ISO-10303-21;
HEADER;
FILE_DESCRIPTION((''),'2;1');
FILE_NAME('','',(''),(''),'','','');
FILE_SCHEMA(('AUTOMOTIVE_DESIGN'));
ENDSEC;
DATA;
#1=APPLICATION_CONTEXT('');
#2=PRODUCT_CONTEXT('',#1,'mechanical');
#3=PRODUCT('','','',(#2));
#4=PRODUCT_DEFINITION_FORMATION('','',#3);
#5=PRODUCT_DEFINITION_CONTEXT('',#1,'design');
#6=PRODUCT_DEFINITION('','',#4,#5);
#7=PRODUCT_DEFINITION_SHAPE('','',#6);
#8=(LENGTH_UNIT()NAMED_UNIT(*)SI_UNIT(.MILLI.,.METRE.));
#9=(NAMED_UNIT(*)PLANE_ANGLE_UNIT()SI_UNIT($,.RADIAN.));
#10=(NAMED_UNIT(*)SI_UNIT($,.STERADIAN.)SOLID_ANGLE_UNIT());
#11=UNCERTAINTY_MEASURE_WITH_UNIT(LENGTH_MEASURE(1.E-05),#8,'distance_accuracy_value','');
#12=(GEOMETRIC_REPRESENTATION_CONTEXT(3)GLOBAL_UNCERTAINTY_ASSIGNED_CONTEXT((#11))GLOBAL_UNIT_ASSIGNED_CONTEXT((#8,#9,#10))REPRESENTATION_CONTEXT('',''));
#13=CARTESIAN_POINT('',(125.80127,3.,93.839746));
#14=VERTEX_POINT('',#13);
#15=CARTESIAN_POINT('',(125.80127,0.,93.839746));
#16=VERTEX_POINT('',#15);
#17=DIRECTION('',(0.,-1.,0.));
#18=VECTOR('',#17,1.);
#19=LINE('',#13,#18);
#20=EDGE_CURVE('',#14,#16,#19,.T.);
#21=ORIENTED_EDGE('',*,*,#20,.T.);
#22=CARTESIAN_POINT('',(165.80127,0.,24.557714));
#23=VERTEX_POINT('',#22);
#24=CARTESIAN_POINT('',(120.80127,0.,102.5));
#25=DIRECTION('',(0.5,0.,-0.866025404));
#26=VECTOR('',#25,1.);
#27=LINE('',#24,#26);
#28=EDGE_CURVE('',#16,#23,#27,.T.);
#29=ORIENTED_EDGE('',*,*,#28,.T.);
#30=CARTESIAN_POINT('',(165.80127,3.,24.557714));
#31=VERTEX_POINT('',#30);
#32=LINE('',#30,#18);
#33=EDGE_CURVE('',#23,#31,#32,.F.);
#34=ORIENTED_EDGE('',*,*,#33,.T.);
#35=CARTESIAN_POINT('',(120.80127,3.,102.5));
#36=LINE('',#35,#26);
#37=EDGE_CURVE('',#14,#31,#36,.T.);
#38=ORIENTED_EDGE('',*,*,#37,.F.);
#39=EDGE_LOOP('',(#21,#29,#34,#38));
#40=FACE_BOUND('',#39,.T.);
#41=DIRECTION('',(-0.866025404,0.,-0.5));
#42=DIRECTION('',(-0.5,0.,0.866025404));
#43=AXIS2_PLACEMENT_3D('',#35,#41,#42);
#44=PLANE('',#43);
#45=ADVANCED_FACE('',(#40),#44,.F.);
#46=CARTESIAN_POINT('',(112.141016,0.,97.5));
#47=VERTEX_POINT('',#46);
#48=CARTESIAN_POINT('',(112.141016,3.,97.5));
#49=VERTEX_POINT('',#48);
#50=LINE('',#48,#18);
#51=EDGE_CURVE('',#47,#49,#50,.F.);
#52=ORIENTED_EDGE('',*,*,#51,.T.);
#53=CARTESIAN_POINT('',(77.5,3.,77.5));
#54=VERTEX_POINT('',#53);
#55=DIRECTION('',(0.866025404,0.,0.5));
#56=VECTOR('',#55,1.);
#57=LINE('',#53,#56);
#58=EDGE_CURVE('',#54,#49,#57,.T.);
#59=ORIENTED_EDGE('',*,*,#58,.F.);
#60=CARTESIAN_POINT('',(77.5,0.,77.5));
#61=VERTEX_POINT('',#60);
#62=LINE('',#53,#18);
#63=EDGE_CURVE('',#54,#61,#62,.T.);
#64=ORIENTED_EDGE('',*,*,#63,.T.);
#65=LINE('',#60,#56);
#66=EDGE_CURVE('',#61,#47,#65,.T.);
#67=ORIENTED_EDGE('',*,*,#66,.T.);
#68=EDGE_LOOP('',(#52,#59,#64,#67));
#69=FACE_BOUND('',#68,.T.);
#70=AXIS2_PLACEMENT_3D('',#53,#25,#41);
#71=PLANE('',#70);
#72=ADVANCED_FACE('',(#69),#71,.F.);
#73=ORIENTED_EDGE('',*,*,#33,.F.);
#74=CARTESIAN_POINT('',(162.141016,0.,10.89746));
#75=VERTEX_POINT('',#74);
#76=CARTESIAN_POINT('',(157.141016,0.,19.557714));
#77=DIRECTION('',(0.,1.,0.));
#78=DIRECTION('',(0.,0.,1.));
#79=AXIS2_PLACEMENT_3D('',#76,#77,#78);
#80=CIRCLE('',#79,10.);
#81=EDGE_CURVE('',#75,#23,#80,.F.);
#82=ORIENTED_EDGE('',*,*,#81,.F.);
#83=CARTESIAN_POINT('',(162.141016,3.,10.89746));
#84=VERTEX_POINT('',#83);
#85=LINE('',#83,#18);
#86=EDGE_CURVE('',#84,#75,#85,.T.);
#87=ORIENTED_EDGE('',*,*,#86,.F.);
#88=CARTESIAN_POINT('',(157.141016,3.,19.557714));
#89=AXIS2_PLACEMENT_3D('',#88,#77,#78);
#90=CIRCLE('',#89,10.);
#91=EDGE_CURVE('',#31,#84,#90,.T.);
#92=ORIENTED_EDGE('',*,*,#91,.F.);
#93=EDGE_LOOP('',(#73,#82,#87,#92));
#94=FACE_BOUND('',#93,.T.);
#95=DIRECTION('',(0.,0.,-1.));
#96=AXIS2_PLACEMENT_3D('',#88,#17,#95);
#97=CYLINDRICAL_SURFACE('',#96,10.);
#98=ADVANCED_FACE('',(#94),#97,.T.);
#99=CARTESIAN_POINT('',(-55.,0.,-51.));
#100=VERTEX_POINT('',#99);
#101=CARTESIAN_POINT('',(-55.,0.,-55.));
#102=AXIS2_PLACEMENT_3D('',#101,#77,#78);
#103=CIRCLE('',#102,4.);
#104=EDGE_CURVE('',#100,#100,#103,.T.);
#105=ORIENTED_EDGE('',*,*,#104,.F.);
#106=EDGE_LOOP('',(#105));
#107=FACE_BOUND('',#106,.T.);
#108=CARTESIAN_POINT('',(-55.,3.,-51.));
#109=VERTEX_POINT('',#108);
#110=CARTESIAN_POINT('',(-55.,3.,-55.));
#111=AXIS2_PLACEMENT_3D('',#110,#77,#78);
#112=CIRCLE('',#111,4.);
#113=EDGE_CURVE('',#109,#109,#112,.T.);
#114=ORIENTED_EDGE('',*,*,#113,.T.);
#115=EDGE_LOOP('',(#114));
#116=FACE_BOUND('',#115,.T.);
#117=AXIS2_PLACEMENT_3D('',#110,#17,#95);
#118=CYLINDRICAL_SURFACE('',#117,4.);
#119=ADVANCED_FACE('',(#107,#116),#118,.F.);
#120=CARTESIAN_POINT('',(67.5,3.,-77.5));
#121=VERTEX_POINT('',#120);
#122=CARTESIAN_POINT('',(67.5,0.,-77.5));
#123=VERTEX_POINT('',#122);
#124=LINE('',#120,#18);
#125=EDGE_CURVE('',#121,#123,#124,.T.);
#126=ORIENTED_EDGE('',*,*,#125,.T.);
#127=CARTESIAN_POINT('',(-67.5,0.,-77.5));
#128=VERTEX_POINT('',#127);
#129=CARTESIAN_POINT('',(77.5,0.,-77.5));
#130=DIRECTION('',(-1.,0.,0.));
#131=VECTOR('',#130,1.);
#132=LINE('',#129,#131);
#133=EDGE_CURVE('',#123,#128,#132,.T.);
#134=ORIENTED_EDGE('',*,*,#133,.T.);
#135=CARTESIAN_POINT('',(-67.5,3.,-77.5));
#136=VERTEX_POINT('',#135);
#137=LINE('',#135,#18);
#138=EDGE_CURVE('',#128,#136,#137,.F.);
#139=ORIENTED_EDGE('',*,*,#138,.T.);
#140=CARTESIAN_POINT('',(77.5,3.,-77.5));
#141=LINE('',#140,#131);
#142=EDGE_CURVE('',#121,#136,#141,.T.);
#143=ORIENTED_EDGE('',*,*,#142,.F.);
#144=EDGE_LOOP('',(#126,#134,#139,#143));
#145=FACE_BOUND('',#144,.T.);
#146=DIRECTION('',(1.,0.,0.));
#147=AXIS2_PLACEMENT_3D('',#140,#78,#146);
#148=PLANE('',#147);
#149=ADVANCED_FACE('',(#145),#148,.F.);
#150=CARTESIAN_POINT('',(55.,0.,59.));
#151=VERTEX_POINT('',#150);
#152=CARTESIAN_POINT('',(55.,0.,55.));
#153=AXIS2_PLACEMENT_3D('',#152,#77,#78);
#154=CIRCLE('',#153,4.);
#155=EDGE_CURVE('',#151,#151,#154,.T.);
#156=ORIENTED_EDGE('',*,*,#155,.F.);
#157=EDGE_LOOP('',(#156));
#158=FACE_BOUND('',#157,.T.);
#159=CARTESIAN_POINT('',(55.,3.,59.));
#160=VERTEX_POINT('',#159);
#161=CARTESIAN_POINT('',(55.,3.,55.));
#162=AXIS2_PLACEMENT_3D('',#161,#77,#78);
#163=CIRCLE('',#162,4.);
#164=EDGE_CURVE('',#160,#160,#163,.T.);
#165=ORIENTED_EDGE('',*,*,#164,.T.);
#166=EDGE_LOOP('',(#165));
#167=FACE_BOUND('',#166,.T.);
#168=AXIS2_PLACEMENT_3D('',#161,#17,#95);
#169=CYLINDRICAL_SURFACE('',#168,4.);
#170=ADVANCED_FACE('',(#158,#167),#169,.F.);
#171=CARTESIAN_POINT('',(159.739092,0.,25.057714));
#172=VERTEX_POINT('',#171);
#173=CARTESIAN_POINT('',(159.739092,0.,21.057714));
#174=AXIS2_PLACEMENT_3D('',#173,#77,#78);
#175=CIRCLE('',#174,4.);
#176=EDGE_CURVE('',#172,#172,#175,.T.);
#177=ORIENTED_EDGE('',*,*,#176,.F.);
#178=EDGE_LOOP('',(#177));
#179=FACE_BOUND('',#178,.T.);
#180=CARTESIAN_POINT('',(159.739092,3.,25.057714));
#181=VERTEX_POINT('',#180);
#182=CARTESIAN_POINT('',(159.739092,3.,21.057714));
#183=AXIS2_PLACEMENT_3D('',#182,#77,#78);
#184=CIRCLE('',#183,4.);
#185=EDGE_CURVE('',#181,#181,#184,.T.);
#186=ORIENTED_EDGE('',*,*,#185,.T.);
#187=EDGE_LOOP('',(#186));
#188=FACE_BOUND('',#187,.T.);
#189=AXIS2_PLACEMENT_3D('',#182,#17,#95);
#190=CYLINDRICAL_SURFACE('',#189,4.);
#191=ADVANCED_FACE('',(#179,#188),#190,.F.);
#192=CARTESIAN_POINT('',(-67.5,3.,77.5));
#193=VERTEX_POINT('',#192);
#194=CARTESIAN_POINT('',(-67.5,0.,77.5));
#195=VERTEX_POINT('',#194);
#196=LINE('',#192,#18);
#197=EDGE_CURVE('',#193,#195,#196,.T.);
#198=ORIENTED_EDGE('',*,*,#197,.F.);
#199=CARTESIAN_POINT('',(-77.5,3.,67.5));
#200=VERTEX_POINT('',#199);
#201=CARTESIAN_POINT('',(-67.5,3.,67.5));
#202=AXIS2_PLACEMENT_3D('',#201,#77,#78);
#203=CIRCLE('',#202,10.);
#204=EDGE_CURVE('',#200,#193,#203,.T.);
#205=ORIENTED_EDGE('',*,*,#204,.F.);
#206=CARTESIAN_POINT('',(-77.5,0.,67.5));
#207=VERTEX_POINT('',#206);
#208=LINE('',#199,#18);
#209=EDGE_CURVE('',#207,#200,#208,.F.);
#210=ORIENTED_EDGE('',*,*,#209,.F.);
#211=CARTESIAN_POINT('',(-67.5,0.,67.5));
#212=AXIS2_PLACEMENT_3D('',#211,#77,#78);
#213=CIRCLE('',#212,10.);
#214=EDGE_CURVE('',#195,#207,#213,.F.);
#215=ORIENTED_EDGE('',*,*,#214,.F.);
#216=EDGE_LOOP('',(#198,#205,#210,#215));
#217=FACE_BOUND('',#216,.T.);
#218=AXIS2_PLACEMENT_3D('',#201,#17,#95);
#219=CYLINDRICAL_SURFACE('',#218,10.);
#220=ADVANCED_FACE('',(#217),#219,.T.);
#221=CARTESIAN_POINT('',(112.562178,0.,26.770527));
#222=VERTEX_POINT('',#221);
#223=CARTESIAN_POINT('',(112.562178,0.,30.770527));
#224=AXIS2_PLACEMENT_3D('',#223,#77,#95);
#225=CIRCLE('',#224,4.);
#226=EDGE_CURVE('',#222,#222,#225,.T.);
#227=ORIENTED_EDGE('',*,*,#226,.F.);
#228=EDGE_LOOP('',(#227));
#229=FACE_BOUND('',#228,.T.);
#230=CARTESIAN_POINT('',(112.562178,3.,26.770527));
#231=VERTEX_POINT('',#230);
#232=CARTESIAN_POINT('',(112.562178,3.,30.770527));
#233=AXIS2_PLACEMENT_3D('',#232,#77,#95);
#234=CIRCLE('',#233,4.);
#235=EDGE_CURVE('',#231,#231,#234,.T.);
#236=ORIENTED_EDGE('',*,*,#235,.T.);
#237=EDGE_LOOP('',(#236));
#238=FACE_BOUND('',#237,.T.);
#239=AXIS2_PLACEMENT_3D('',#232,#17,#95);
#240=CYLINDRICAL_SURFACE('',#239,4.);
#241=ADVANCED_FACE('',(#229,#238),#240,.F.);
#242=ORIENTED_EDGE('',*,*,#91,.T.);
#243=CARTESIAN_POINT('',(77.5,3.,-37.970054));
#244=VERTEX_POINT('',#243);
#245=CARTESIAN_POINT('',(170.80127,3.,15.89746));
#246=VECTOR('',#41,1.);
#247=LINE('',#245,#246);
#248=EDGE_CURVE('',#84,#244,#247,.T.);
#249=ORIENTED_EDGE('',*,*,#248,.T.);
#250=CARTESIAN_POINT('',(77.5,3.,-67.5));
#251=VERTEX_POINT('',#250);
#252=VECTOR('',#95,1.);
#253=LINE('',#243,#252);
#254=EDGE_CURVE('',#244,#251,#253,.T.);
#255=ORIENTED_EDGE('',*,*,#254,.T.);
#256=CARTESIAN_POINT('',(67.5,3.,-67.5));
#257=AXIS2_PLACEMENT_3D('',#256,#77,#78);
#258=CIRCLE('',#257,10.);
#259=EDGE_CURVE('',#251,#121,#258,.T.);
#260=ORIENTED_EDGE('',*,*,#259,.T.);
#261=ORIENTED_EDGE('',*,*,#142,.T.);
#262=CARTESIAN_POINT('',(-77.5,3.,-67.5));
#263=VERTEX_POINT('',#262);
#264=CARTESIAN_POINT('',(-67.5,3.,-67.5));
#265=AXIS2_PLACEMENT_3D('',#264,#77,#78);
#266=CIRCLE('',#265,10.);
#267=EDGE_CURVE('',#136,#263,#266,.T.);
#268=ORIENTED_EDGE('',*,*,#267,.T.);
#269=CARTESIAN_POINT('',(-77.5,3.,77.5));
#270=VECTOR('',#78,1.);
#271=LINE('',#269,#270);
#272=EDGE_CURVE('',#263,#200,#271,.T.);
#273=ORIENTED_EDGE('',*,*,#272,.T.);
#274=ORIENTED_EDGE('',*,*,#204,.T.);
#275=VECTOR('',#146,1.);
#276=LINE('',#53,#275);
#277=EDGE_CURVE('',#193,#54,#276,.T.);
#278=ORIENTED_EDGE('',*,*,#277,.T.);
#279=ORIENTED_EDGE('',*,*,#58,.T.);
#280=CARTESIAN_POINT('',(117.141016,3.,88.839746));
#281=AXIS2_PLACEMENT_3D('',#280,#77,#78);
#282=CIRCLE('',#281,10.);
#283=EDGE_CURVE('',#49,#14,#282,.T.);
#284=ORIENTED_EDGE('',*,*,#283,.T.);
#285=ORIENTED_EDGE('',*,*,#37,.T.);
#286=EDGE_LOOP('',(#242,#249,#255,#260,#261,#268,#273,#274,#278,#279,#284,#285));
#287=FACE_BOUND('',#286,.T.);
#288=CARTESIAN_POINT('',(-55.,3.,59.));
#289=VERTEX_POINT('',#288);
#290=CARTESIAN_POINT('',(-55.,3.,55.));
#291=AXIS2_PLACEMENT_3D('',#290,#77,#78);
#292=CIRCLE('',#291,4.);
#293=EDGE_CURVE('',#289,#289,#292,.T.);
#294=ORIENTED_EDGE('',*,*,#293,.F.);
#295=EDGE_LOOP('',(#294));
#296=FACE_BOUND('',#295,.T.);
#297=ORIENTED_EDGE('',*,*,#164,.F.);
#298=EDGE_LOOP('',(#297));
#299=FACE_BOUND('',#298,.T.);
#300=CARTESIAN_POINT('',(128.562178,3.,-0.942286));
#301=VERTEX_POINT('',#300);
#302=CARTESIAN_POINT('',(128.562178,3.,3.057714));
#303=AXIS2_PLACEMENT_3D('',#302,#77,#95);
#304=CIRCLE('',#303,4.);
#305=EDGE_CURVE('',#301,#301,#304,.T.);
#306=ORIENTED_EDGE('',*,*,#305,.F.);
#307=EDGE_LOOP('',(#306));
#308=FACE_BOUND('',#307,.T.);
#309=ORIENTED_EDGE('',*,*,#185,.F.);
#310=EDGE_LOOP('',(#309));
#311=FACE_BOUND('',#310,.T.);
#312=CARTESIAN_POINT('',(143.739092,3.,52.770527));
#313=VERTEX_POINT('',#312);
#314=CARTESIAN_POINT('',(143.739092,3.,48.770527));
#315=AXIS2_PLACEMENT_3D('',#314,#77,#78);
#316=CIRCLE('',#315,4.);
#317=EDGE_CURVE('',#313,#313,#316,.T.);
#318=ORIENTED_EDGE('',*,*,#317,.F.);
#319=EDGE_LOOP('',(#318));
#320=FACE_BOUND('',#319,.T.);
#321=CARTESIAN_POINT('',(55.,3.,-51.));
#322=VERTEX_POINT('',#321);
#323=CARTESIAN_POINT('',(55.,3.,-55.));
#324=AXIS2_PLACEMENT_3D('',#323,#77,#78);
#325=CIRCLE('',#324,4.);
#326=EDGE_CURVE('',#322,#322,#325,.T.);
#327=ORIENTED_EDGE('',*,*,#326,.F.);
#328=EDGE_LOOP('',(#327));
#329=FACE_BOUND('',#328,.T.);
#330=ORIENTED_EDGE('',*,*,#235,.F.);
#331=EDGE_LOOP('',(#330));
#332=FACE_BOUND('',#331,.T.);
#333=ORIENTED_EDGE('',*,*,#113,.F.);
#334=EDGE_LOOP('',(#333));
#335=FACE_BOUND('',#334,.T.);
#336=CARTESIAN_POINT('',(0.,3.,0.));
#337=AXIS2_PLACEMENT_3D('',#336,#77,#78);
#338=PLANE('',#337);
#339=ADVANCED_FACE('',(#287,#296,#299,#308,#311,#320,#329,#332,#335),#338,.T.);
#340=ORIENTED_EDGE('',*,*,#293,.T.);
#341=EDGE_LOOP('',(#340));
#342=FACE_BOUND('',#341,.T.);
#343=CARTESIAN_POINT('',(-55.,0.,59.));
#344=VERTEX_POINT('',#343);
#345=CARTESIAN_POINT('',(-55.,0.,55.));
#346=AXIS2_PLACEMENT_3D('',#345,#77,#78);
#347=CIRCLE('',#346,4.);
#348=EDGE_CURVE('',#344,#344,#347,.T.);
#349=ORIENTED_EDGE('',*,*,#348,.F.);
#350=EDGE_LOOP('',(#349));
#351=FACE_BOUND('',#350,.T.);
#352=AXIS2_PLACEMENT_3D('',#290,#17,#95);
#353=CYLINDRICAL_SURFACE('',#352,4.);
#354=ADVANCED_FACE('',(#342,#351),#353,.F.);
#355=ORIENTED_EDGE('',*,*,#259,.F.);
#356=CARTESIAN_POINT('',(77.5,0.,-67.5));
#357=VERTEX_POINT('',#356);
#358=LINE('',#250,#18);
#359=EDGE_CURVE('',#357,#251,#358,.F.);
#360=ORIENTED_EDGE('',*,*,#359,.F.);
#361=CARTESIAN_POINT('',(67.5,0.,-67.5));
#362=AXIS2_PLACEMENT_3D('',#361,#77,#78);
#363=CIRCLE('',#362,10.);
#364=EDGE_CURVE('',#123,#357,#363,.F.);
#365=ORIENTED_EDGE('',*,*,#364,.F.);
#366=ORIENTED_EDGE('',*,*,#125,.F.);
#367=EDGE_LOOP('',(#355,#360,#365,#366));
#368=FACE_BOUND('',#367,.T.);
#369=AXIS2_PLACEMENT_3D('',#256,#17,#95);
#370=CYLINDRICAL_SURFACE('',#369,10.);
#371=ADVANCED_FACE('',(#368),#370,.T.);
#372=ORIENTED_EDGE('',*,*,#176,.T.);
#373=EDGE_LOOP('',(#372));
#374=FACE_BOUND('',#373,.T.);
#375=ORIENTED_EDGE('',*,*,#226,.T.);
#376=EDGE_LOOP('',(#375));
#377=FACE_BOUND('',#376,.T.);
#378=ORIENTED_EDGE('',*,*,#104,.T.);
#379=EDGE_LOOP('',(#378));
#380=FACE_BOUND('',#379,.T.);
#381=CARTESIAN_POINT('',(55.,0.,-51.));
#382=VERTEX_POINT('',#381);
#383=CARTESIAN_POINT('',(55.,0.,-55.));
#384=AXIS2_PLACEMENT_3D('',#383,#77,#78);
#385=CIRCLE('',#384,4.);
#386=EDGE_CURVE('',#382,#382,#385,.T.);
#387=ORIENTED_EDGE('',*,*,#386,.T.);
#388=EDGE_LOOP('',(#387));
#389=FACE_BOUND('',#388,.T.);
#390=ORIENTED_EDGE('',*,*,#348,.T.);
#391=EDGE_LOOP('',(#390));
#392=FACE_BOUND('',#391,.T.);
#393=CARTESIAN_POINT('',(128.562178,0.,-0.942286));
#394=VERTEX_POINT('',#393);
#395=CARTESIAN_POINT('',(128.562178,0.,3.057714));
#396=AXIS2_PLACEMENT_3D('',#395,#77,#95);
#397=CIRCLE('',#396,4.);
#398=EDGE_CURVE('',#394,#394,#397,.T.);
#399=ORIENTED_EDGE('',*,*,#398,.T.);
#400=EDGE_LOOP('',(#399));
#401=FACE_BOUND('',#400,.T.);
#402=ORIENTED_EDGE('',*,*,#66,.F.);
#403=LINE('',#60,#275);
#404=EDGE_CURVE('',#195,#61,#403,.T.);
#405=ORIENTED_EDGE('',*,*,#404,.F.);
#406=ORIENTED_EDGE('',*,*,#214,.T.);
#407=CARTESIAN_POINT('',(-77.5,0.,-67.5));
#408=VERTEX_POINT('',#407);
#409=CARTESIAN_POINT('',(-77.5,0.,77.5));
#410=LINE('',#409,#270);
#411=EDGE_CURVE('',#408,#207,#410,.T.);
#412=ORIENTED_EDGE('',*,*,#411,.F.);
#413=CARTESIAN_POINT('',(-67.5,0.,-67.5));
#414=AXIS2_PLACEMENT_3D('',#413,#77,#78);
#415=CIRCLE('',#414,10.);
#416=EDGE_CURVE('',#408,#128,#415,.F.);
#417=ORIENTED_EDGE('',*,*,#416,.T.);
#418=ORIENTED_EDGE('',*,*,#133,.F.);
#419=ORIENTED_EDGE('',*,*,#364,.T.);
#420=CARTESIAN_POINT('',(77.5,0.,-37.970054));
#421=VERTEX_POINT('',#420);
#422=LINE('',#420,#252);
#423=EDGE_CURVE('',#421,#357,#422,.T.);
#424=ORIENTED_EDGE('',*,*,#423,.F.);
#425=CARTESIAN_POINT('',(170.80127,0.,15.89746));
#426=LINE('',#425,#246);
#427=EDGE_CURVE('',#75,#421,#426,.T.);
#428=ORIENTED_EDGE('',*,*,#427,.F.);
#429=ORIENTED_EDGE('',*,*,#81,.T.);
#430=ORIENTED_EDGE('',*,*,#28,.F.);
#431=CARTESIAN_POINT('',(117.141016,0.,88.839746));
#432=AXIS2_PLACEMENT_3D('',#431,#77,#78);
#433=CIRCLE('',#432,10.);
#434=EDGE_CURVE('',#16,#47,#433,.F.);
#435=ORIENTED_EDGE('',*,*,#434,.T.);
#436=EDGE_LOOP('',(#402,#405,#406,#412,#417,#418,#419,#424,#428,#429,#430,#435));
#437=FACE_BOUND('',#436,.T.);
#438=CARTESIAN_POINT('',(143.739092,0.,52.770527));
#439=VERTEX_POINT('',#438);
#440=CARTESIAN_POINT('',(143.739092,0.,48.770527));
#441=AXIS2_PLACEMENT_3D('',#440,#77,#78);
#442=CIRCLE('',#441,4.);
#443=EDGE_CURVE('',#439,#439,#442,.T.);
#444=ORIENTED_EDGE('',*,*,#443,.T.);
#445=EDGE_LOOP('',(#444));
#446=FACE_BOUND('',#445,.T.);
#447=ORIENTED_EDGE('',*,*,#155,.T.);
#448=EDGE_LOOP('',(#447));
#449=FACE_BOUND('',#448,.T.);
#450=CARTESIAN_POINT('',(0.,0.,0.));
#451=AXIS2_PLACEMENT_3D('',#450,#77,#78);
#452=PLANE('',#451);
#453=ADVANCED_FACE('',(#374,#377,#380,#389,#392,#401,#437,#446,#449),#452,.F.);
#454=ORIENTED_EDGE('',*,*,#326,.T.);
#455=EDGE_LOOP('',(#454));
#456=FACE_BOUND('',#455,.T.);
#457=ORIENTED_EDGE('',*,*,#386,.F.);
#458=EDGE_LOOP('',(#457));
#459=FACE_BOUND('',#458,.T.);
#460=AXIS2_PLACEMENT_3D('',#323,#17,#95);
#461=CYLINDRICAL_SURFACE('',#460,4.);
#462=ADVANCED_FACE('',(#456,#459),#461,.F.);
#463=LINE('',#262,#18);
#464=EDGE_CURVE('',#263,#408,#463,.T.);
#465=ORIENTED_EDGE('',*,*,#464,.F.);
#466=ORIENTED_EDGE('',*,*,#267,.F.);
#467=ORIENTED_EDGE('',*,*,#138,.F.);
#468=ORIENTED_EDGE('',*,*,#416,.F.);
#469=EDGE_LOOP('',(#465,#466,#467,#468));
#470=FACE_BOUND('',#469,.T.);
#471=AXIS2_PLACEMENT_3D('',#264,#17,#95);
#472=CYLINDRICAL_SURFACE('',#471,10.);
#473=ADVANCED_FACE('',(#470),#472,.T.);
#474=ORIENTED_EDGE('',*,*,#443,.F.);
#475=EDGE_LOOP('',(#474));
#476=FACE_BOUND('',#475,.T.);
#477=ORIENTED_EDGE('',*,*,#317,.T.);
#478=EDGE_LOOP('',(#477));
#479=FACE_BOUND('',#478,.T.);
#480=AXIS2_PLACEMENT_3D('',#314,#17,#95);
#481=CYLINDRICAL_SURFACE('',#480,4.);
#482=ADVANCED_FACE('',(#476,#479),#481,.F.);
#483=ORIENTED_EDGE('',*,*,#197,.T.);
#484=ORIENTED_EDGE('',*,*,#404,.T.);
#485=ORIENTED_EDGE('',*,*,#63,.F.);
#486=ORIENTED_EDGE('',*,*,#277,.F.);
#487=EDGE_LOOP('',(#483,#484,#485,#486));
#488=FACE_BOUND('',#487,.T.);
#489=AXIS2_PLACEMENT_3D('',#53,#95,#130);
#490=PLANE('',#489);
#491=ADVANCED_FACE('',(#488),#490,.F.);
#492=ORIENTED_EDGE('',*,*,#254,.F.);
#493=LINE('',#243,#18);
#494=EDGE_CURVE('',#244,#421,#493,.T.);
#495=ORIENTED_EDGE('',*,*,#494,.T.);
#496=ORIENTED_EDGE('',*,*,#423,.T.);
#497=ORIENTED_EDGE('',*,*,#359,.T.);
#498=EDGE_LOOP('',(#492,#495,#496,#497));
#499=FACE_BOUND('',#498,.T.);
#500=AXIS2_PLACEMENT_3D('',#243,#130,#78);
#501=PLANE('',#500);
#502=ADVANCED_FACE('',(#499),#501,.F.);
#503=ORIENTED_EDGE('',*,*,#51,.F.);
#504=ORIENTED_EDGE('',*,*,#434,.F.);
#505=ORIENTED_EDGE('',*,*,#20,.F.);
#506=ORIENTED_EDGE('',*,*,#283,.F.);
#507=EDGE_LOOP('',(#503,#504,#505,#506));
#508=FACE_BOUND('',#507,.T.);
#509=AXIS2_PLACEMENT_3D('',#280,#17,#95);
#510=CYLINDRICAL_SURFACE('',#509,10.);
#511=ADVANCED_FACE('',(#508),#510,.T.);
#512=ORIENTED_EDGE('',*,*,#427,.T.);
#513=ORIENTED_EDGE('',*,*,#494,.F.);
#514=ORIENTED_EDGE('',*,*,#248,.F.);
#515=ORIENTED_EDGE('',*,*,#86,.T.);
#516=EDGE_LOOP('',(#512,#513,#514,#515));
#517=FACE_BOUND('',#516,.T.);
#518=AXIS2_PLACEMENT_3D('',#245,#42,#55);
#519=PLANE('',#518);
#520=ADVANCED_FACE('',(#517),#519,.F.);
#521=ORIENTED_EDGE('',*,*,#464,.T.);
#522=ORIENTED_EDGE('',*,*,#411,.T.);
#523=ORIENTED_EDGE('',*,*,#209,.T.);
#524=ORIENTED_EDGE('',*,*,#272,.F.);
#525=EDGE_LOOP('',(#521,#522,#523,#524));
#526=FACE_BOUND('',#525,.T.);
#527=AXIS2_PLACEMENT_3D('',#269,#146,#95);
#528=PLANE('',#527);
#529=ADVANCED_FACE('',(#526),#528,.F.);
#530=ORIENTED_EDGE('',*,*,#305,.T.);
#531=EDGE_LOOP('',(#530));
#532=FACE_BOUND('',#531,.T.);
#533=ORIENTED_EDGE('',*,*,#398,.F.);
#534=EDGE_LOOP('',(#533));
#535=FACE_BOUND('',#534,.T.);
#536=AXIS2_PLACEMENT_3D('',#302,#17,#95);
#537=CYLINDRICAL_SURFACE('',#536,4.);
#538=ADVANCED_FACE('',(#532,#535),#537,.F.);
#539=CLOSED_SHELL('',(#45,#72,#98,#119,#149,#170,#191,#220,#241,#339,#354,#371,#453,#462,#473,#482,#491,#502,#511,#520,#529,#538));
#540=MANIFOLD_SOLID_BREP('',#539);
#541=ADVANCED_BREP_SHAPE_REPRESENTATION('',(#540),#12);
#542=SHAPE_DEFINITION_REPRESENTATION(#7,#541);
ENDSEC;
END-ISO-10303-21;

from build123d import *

# Parameters (mm, degrees)
SZKIC1_R                    = 4
DODANIE_WYCI_GNI_CIE1_DEPTH = 3
ZAOKR_GLENIE1_R             = 10


with BuildPart() as part:
    # Szkic1 → Dodanie-wyciągnięcie1 (new body)
    with BuildSketch(Plane(origin=(0, 0, 0), x_dir=(1, 0, 0), z_dir=(0, 1, 0))):
        Polygon((77.5, -77.5), (120.801270189, -102.5), (170.801270189, -15.897459622), (77.5, 37.970053838), (77.5, 77.5), (-77.5, 77.5), (-77.5, -77.5), align=None)
        with Locations(Location((-55, 55, 0), (0, 0, 270))):
            Circle(SZKIC1_R, mode=Mode.SUBTRACT)
        with Locations(Location((55, 55, 0), (0, 0, 270))):
            Circle(SZKIC1_R, mode=Mode.SUBTRACT)
        with Locations(Location((55, -55, 0), (0, 0, 270))):
            Circle(SZKIC1_R, mode=Mode.SUBTRACT)
        with Locations(Location((-55, -55, 0), (0, 0, 270))):
            Circle(SZKIC1_R, mode=Mode.SUBTRACT)
        with Locations(Location((159.739092363, -21.057713659, 0), (0, 0, 270))):
            Circle(SZKIC1_R, mode=Mode.SUBTRACT)
        with Locations(Location((143.739092363, -48.770526581, 0), (0, 0, 270))):
            Circle(SZKIC1_R, mode=Mode.SUBTRACT)
        with Locations(Location((128.562177826, -3.057713659, 0), (0, 0, 90))):
            Circle(SZKIC1_R, mode=Mode.SUBTRACT)
        with Locations(Location((112.562177826, -30.770526581, 0), (0, 0, 90))):
            Circle(SZKIC1_R, mode=Mode.SUBTRACT)
    extrude(amount=DODANIE_WYCI_GNI_CIE1_DEPTH)

    # Zaokrąglenie1
    zaokr_glenie1_edges = [part.edges().sort_by_distance(p)[0] for p in [
        (-77.5, 1.5, -77.5),
        (77.5, 1.5, -77.5),
        (170.801270189, 1.5, 15.897459622),
        (120.801270189, 1.5, 102.5),
        (-77.5, 1.5, 77.5),
    ]]
    fillet(zaokr_glenie1_edges, radius=ZAOKR_GLENIE1_R)


solid = part.part
